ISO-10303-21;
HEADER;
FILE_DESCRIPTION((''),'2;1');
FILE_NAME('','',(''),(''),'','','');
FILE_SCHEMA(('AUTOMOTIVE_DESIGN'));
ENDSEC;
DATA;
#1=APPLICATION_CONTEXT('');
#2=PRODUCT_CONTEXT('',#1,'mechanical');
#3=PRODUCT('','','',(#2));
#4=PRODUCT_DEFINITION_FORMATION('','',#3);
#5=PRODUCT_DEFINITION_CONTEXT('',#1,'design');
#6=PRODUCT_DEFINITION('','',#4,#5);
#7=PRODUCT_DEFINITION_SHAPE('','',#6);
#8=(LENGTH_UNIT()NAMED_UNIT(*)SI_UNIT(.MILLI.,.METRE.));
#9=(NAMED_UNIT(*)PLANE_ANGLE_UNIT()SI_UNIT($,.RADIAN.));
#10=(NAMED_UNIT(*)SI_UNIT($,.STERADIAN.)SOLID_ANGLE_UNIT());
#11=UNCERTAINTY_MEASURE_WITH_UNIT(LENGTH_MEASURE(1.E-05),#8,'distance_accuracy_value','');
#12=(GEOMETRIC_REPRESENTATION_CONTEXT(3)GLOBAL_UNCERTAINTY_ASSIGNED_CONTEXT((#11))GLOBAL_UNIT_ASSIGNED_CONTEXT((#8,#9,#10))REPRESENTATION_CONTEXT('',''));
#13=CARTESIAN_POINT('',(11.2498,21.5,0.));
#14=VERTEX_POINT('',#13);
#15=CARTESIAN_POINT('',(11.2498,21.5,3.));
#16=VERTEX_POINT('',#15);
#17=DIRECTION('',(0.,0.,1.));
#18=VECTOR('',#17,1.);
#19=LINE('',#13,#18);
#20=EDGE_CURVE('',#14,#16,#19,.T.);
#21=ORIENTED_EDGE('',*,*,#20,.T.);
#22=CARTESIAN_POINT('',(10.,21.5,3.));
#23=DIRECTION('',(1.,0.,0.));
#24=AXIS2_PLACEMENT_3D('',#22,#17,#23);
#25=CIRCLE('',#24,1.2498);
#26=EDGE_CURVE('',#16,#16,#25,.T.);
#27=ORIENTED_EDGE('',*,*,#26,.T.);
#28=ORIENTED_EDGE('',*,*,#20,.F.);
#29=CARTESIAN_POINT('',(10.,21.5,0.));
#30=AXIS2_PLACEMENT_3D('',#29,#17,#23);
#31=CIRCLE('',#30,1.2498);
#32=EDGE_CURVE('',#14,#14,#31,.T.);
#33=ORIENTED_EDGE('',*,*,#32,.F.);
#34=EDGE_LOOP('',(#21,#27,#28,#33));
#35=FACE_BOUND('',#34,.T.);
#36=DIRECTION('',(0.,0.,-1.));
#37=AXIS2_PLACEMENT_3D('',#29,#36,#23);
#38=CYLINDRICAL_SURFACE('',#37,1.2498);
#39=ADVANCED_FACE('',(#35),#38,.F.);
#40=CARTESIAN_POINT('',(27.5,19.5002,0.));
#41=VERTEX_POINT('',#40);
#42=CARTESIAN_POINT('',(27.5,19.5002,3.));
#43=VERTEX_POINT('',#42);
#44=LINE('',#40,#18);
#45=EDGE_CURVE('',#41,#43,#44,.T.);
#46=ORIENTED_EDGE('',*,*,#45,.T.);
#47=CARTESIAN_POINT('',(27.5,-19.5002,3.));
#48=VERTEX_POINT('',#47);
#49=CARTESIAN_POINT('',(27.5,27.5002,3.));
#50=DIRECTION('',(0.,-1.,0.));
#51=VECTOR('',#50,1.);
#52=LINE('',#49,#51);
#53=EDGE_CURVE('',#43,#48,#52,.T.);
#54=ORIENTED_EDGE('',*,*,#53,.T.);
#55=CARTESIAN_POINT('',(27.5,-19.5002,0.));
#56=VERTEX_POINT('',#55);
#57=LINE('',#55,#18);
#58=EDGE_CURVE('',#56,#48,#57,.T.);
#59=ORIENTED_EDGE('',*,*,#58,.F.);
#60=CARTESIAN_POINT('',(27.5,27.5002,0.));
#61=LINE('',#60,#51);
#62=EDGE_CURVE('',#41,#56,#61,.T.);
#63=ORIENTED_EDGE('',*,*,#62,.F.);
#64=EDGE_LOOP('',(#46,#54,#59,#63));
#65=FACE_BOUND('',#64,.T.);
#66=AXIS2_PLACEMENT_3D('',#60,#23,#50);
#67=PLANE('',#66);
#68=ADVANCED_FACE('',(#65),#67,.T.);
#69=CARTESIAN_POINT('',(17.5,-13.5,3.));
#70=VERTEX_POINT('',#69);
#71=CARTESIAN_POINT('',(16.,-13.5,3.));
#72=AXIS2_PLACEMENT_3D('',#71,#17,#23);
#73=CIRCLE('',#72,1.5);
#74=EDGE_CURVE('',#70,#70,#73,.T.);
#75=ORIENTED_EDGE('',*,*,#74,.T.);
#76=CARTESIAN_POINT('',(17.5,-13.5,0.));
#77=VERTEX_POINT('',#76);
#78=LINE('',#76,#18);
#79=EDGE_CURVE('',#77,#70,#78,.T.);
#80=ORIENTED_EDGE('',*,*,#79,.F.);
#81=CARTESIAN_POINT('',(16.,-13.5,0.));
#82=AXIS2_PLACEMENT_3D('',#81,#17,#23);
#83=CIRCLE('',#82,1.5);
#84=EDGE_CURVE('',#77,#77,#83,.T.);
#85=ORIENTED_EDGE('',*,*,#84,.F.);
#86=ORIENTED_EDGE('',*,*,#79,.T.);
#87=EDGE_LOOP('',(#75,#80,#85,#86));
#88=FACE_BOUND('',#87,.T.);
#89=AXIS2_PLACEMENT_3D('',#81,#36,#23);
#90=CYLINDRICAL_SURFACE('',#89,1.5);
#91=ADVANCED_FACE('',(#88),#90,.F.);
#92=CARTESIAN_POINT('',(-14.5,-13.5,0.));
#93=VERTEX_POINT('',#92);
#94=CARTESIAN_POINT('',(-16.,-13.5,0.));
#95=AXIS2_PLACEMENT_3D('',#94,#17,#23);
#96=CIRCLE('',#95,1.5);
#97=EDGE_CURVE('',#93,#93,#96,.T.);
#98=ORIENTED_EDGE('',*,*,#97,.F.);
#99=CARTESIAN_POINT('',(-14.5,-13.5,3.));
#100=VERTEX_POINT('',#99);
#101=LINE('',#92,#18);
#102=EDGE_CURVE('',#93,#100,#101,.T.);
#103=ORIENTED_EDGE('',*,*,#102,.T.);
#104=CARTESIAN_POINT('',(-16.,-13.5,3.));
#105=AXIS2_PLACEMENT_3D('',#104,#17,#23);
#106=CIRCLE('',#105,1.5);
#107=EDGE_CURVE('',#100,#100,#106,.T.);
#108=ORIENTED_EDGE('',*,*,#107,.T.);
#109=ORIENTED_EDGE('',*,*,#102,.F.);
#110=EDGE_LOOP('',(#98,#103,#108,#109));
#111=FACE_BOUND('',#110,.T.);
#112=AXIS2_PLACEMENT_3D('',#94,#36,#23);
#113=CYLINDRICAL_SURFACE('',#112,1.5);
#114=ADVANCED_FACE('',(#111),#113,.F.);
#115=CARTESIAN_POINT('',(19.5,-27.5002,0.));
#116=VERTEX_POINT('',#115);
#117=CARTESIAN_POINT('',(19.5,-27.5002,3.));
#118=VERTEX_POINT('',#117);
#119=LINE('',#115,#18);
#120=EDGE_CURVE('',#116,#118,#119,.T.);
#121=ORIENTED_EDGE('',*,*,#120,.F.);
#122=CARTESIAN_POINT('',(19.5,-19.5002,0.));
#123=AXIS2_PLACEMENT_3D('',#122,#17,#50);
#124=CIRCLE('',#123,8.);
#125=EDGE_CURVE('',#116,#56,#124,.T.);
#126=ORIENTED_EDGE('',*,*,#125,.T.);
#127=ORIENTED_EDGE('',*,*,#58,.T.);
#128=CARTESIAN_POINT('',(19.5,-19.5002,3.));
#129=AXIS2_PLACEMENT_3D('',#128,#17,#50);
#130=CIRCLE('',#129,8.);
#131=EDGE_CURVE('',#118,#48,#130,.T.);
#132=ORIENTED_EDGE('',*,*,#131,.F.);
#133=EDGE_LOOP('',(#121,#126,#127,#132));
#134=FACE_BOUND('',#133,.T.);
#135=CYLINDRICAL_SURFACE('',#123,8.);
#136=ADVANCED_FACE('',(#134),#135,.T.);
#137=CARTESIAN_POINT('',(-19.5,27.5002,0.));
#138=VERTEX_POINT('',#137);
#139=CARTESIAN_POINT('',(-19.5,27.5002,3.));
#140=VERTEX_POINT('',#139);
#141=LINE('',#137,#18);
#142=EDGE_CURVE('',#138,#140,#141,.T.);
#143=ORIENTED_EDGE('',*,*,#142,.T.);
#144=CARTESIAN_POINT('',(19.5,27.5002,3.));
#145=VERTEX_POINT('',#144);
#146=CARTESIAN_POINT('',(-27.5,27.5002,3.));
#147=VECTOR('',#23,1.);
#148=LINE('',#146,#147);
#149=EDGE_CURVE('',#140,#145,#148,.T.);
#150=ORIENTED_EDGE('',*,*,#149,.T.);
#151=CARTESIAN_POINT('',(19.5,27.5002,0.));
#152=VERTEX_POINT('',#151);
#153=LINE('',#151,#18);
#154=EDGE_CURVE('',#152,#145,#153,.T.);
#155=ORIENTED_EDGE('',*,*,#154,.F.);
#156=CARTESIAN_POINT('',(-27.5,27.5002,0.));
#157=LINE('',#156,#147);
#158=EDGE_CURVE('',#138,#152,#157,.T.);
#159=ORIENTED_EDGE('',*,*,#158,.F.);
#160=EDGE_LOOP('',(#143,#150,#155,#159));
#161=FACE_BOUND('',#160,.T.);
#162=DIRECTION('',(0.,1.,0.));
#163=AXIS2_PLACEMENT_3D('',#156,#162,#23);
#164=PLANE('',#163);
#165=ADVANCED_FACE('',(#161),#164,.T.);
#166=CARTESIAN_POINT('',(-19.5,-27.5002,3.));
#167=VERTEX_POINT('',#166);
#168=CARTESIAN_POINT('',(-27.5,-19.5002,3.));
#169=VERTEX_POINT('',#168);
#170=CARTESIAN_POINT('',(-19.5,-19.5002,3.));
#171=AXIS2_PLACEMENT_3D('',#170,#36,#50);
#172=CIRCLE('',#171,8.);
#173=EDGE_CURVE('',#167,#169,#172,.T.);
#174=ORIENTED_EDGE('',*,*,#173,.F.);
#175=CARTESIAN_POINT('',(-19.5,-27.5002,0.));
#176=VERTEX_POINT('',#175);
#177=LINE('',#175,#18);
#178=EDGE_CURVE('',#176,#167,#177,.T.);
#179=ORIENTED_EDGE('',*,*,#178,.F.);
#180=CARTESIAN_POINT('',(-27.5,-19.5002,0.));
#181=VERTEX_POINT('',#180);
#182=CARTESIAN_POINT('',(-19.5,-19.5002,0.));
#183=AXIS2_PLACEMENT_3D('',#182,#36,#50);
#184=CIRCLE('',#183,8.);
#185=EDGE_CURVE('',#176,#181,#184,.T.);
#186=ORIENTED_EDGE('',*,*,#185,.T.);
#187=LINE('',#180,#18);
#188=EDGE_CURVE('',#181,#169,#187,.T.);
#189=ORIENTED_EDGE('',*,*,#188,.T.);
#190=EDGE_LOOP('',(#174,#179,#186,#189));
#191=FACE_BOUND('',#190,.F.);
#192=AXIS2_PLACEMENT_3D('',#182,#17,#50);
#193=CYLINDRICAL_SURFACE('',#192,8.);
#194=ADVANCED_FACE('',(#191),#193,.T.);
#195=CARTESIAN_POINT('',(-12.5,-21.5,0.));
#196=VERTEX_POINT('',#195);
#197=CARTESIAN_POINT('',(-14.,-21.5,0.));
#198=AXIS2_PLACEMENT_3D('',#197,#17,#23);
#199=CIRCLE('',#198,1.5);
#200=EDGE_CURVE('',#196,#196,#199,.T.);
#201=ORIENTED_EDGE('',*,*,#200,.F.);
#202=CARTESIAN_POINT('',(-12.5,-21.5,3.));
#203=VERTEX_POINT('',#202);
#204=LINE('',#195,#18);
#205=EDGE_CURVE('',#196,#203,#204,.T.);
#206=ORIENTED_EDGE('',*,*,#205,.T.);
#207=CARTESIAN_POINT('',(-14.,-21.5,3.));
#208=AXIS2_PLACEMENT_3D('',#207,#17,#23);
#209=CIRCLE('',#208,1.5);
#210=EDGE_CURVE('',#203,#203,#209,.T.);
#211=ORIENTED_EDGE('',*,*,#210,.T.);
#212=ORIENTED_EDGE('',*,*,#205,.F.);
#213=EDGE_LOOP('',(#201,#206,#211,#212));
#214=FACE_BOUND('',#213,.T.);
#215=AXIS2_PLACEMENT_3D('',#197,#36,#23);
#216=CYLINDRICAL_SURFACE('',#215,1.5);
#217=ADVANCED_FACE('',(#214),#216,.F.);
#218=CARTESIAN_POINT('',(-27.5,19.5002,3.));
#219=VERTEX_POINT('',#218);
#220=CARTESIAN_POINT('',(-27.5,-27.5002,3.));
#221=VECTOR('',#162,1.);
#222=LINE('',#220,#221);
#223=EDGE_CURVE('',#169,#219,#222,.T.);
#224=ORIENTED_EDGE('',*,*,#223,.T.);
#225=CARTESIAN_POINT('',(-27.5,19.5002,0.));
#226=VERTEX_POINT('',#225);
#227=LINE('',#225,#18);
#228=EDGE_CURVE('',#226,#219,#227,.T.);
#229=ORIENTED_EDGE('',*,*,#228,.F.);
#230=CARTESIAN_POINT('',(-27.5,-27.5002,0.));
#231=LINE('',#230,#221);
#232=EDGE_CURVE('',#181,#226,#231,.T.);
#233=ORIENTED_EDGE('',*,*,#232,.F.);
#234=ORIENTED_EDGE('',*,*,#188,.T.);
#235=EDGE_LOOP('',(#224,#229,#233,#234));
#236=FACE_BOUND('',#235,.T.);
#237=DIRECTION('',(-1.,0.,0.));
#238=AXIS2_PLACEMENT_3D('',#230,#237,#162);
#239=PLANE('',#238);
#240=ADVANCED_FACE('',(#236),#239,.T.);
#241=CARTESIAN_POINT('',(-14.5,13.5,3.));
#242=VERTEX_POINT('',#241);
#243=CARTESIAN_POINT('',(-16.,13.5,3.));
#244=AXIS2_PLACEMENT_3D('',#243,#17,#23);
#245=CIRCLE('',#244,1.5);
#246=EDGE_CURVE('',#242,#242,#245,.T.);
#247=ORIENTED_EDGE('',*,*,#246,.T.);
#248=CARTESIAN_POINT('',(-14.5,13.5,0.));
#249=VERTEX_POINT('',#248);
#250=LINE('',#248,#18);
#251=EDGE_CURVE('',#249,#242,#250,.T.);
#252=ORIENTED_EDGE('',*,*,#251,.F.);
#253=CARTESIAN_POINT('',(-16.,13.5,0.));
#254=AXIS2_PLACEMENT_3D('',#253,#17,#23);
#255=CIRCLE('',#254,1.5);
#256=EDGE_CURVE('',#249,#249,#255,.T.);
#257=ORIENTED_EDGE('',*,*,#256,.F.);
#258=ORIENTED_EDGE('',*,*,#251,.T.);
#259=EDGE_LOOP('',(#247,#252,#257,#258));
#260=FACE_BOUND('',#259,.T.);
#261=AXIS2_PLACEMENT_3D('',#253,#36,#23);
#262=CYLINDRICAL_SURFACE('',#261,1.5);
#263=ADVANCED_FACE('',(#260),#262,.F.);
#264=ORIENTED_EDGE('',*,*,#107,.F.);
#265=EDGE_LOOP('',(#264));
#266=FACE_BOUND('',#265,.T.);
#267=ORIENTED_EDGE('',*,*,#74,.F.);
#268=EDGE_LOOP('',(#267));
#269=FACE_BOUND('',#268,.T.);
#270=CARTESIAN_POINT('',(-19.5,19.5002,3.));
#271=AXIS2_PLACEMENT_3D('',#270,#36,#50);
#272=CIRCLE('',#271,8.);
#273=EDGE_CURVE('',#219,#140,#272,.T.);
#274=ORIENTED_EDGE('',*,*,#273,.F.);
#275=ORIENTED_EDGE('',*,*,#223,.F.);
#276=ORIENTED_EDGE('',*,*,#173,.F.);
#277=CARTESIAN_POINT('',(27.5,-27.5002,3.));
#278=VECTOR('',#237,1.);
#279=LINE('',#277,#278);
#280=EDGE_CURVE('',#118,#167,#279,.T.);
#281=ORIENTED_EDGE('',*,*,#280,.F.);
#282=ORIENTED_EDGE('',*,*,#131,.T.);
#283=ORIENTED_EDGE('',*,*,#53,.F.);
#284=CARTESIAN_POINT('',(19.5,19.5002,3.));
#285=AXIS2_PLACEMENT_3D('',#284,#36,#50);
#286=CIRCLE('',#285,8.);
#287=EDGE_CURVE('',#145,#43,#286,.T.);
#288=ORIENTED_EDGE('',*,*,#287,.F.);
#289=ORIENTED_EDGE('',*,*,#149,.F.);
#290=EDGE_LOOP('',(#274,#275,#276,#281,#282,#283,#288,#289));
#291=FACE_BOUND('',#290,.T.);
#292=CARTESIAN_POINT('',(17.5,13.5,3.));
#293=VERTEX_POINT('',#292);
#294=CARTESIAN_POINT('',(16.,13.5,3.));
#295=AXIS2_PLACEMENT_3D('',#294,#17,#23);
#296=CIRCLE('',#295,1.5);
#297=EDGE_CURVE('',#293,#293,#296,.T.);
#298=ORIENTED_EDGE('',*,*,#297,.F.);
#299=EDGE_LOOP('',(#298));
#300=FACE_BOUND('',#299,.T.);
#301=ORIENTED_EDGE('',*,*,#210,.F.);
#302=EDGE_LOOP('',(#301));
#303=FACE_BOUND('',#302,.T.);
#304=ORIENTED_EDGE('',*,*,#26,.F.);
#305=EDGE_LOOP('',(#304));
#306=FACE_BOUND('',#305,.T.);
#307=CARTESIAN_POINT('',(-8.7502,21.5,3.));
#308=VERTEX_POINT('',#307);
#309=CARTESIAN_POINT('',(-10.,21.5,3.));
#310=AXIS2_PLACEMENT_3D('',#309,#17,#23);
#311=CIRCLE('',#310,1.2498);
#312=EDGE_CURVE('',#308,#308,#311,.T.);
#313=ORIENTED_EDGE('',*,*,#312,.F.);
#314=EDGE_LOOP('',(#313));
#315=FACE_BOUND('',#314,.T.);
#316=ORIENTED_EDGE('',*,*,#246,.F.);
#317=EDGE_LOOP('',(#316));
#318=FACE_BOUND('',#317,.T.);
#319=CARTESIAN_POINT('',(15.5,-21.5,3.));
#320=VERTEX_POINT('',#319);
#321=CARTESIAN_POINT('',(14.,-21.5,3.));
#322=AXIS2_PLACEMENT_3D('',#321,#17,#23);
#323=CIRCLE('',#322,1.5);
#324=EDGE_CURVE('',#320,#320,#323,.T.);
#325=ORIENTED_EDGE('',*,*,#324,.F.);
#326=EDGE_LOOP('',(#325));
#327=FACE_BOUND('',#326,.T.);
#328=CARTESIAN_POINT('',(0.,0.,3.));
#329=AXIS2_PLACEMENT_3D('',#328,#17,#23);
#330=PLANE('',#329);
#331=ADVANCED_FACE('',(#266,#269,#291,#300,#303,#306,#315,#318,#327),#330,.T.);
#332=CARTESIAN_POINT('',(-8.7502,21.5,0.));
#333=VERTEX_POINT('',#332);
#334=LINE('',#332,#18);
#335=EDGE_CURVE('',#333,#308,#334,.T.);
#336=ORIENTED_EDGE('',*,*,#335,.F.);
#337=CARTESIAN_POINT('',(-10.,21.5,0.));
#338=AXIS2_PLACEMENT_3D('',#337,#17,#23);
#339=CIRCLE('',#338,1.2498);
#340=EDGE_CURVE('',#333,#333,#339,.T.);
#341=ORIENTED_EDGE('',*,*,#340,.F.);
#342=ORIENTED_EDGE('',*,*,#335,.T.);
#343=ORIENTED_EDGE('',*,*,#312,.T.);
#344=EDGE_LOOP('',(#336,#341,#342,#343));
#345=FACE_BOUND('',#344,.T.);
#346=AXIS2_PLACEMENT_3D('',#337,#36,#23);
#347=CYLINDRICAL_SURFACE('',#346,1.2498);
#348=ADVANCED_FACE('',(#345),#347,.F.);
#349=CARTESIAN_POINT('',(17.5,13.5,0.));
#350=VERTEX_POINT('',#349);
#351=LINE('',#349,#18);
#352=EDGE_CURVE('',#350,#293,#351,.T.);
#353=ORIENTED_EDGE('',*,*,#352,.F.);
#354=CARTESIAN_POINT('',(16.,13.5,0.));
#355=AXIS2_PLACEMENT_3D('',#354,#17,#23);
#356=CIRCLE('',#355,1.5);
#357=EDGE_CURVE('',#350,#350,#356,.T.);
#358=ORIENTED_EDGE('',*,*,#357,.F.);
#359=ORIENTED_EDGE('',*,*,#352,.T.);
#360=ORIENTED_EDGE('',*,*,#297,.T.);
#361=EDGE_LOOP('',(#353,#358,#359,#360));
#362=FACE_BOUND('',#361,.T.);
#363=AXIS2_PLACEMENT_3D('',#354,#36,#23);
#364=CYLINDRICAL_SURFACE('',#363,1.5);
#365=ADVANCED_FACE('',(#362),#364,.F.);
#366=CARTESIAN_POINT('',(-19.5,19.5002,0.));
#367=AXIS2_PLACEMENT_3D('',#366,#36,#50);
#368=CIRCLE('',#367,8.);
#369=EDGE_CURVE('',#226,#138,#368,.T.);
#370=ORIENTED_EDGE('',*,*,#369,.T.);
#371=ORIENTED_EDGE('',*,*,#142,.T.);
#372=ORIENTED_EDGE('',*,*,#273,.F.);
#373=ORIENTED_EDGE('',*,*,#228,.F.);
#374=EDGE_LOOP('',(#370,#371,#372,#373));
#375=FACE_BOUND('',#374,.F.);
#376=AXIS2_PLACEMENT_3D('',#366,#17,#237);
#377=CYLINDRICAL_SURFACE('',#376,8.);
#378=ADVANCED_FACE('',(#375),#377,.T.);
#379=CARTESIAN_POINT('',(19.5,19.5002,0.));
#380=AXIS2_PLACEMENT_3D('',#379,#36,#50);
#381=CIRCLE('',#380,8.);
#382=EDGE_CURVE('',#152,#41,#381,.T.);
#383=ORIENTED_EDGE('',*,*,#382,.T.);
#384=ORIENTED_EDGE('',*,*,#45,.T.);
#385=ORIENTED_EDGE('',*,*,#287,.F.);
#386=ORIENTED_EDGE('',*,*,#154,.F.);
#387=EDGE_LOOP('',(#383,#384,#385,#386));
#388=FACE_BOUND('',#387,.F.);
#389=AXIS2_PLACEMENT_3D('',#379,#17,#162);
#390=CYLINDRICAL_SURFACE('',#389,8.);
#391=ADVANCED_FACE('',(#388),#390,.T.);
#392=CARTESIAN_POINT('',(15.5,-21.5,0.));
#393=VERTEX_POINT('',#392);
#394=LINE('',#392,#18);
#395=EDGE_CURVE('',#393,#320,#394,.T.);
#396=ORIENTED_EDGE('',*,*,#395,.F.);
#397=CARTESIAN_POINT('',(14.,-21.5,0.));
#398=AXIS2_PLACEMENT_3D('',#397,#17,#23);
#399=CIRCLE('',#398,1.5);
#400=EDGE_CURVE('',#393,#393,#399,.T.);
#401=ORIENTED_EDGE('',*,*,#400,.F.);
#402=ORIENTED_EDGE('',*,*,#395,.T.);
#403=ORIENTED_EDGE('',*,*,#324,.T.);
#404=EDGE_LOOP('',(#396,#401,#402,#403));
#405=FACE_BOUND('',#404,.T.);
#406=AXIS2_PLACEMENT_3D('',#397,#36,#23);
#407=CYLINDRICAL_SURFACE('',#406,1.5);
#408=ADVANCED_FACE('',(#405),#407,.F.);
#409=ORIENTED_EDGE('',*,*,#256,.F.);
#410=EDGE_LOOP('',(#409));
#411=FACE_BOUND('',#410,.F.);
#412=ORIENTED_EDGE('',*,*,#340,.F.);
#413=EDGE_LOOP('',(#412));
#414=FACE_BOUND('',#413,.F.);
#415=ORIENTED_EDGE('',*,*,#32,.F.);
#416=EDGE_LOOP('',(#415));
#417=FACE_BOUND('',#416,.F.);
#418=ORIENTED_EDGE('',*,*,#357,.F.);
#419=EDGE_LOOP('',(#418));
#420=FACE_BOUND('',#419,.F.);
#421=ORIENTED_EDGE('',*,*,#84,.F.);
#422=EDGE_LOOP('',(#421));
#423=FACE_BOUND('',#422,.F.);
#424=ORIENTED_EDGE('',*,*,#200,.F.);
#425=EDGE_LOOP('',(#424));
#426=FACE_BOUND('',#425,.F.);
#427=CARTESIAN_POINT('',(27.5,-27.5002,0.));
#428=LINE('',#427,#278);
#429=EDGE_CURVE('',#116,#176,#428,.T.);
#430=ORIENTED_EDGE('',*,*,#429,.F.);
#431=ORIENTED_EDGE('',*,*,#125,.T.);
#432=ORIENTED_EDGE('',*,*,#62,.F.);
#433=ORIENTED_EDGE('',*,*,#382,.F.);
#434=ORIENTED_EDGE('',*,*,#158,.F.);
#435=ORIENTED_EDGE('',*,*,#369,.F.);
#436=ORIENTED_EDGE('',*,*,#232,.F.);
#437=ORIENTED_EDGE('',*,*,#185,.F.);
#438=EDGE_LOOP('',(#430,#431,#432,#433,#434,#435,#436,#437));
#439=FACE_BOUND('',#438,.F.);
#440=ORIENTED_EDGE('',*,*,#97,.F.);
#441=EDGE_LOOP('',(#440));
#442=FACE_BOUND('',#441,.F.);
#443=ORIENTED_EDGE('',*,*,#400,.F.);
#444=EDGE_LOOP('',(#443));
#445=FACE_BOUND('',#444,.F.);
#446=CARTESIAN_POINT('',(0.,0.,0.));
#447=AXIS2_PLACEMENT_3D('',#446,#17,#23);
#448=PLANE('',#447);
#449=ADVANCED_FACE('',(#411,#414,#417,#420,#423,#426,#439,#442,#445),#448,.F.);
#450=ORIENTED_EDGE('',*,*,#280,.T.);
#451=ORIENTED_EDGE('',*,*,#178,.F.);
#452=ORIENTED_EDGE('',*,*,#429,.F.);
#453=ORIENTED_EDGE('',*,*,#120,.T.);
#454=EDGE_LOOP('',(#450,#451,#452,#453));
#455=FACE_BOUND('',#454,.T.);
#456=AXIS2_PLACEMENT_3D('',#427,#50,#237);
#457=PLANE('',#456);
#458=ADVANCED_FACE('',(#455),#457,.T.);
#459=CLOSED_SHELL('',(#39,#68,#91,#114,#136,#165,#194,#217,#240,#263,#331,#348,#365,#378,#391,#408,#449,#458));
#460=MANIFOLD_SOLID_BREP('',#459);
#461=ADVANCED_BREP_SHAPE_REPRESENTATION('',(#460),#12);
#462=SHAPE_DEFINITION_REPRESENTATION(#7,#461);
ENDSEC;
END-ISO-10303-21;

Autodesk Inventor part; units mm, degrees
ref_plane "YZ Plane" through (0, 0, 0) normal (1, 0, 0) x (0, 1, 0)
ref_plane "XZ Plane" through (0, 0, 0) normal (0, 1, 0) x (-1, 0, 0)
ref_plane "XY Plane" through (0, 0, 0) normal (0, 0, 1) x (1, 0, 0)
sketch "Sketch1" plane through (0, 0, 0) normal (0, 0, 1) x (1, 0, 0)
  point P0 (0, 0)
sketch "Sketch2" plane through (0, 0, 0) normal (0, 0, 1) x (1, 0, 0)
  line L0 (27.5, -27.5002) -> (-27.5, -27.5002)
  line L1 (-27.5, -27.5002) -> (-27.5, 27.5002)
  line L2 (-27.5, 27.5002) -> (27.5, 27.5002)
  line L3 (27.5, 27.5002) -> (27.5, -27.5002)
  circle A0 centre (16, 13.5) radius 1.5
  circle A1 centre (-16, 13.5) radius 1.5
  circle A2 centre (-16, -13.5) radius 1.5
  circle A3 centre (16, -13.5) radius 1.5
  circle A4 centre (14, -21.5) radius 1.5
  circle A5 centre (-14, -21.5) radius 1.5
  circle A6 centre (10, 21.5) radius 1.2498
  circle A7 centre (-10, 21.5) radius 1.2498
extrude "Extrusion3" add sketch "Sketch2" along normal blind 3
fillet "Fillet3" radius 8 4 edges at (27.5, 27.5002, 1.5) (-27.5, 27.5002, 1.5) (27.5, -27.5002, 1.5) (-27.5, -27.5002, 1.5)
properties part number "retractable_landing_skids_adapter_plate" material "CFRP"
